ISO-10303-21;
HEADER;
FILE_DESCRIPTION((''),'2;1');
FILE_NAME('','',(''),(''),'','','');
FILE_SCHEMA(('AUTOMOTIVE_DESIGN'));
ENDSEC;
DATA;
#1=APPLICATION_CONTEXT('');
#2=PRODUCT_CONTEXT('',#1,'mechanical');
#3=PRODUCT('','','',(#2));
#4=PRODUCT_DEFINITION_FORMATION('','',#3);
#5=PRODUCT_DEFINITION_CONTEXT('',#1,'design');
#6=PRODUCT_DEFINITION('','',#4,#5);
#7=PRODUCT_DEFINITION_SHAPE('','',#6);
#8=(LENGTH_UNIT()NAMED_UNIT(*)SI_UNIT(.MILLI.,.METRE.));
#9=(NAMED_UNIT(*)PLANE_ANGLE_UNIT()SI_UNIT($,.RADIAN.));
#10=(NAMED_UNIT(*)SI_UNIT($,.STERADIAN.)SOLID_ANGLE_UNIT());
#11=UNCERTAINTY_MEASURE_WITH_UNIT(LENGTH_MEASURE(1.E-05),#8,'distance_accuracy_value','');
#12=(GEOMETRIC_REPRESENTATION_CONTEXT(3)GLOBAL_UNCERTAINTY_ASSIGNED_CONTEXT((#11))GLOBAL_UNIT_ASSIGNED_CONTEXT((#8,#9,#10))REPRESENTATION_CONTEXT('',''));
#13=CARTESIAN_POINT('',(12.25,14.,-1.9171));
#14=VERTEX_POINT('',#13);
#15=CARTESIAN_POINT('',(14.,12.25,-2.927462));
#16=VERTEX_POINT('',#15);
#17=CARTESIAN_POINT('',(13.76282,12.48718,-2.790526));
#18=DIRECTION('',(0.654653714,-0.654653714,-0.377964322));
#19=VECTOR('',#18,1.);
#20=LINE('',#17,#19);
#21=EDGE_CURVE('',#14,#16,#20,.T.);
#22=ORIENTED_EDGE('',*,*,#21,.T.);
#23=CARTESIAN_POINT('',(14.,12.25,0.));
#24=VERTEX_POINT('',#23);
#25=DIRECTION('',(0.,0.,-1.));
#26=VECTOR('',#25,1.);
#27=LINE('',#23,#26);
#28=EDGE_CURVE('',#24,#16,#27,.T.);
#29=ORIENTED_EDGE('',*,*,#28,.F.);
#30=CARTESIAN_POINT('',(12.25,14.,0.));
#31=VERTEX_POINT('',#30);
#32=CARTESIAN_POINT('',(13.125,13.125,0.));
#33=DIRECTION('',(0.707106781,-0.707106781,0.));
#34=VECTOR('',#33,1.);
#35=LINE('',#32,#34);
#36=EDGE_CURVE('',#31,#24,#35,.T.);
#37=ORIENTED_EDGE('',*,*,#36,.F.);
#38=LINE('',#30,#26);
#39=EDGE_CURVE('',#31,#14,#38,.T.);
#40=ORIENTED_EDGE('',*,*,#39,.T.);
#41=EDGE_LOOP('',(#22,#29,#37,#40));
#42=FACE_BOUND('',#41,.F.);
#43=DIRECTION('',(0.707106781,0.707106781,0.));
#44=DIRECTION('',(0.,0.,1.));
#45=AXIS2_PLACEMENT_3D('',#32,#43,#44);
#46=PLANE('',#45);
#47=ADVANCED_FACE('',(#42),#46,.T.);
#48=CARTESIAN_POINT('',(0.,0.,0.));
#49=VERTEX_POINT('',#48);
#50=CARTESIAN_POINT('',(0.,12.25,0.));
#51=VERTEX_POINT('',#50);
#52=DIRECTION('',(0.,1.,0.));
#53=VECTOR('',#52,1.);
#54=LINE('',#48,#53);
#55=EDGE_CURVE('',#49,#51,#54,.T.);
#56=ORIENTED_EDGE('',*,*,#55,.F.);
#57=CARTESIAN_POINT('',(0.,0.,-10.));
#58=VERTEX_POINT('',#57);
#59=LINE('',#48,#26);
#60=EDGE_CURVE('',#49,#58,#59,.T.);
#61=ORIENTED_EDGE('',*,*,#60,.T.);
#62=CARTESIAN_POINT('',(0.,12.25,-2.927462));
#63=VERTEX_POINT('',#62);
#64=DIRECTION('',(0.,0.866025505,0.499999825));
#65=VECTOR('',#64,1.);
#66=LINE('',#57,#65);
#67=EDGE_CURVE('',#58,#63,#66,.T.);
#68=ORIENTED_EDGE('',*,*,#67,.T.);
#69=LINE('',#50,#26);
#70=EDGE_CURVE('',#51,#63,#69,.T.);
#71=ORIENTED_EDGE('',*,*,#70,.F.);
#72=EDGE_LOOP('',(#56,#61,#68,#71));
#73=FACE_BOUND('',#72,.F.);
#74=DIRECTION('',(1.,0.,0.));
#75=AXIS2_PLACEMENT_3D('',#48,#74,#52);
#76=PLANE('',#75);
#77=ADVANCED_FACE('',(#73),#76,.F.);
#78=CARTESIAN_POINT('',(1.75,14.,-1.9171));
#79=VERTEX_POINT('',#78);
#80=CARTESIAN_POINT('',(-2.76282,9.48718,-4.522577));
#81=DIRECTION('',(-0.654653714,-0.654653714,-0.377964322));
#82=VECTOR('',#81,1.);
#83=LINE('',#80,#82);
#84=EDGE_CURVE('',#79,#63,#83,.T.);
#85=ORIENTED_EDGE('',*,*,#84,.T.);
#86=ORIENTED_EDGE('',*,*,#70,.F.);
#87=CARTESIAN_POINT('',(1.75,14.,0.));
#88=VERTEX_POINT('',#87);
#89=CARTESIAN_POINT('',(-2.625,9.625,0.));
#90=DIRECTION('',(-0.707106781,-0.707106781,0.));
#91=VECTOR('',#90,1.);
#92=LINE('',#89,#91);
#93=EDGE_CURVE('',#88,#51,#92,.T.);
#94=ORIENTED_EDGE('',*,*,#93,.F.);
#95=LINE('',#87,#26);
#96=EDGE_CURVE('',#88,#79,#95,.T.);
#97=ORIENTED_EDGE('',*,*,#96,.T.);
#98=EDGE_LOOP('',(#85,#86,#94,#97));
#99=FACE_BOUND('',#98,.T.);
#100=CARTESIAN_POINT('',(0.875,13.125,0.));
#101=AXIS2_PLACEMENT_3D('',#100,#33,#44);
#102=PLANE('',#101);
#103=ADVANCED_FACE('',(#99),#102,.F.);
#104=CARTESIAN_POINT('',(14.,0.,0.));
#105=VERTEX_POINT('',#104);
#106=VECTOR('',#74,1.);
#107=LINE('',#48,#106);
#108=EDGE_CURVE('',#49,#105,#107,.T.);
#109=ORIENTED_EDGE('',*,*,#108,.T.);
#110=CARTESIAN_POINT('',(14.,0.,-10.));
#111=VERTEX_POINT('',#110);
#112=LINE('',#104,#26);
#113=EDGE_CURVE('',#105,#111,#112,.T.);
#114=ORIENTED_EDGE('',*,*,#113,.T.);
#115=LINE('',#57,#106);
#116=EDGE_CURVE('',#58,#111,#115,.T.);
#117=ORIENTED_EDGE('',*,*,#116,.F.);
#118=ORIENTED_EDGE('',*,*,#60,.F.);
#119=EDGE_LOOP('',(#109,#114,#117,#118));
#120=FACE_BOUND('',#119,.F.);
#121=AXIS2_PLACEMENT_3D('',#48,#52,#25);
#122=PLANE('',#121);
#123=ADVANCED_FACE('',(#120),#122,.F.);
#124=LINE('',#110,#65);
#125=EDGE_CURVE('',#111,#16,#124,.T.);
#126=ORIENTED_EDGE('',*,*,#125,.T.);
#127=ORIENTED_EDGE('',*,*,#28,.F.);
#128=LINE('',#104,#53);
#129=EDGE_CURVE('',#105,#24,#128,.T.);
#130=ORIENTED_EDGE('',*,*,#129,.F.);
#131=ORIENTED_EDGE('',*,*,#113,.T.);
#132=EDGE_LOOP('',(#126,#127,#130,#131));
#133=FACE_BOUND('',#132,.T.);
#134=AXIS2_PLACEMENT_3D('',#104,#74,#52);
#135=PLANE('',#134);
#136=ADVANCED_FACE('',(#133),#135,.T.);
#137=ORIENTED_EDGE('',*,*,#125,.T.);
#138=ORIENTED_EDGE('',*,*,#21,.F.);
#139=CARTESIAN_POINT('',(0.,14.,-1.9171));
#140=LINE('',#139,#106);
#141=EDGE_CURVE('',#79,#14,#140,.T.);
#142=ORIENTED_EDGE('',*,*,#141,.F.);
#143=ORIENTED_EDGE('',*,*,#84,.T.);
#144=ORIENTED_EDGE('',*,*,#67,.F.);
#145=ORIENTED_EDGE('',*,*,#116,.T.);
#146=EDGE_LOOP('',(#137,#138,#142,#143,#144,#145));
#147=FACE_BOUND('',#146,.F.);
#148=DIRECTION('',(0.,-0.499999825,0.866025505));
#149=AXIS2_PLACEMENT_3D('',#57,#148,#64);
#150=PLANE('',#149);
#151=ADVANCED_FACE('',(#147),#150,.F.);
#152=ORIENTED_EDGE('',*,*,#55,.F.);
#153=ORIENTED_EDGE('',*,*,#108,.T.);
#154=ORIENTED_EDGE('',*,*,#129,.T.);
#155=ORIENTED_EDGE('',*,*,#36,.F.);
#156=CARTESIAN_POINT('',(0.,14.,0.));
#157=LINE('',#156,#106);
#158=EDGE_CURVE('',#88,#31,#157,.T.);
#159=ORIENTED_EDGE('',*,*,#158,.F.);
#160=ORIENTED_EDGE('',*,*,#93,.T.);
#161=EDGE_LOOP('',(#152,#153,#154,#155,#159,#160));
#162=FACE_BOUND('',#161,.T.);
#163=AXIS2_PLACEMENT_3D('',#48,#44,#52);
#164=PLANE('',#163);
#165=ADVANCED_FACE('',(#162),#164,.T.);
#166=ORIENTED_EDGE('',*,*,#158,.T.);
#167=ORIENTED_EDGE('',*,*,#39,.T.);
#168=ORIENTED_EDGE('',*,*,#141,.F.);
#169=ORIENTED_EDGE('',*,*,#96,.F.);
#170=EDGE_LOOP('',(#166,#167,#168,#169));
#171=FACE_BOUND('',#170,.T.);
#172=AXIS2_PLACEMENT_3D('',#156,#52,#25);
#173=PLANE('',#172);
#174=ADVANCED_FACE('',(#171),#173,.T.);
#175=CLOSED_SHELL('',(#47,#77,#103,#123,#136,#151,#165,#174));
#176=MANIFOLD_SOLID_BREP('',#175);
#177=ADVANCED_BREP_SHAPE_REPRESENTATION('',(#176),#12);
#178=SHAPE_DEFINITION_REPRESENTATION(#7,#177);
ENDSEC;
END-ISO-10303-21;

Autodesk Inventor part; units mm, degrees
ref_plane "YZ Plane" through (0, 0, 0) normal (1, 0, 0) x (0, 1, 0)
ref_plane "XZ Plane" through (0, 0, 0) normal (0, 1, 0) x (-1, 0, 0)
ref_plane "XY Plane" through (0, 0, 0) normal (0, 0, 1) x (1, 0, 0)
sketch "Sketch1" plane through (0, 0, 0) normal (1, 0, 0) x (0, 1, 0)
  line L0 (20, 0) -> (-20, 0) construction
  line L1 (0, 20) -> (0, -20) construction
  line L2 (0, 0) -> (0, -10)
  line L3 (0, 0) -> (14, 0)
  line L4 (0, -10) -> (14, -1.9171)
  line L5 (14, 0) -> (14, -1.9171)
  dimension "d1" = 40
  dimension "d2" = 40
  dimension "d5" = 90
  dimension "d6" = 60
  dimension "d7" = 30
  dimension "d8" = 10
  dimension "squared_surface" = 14
extrude "Extrusion1" add sketch "Sketch1" along normal blind 14
chamfer "Chamfer1" distance 1.75 angle 45 1 edges at (0, 14, -0.9585)
chamfer "Chamfer2" distance 1.75 angle 45 1 edges at (14, 14, -0.9585)
equation "\"d10\" = squared_surface"
properties part number "anamorphic_prism_caf2" material "Glass"
